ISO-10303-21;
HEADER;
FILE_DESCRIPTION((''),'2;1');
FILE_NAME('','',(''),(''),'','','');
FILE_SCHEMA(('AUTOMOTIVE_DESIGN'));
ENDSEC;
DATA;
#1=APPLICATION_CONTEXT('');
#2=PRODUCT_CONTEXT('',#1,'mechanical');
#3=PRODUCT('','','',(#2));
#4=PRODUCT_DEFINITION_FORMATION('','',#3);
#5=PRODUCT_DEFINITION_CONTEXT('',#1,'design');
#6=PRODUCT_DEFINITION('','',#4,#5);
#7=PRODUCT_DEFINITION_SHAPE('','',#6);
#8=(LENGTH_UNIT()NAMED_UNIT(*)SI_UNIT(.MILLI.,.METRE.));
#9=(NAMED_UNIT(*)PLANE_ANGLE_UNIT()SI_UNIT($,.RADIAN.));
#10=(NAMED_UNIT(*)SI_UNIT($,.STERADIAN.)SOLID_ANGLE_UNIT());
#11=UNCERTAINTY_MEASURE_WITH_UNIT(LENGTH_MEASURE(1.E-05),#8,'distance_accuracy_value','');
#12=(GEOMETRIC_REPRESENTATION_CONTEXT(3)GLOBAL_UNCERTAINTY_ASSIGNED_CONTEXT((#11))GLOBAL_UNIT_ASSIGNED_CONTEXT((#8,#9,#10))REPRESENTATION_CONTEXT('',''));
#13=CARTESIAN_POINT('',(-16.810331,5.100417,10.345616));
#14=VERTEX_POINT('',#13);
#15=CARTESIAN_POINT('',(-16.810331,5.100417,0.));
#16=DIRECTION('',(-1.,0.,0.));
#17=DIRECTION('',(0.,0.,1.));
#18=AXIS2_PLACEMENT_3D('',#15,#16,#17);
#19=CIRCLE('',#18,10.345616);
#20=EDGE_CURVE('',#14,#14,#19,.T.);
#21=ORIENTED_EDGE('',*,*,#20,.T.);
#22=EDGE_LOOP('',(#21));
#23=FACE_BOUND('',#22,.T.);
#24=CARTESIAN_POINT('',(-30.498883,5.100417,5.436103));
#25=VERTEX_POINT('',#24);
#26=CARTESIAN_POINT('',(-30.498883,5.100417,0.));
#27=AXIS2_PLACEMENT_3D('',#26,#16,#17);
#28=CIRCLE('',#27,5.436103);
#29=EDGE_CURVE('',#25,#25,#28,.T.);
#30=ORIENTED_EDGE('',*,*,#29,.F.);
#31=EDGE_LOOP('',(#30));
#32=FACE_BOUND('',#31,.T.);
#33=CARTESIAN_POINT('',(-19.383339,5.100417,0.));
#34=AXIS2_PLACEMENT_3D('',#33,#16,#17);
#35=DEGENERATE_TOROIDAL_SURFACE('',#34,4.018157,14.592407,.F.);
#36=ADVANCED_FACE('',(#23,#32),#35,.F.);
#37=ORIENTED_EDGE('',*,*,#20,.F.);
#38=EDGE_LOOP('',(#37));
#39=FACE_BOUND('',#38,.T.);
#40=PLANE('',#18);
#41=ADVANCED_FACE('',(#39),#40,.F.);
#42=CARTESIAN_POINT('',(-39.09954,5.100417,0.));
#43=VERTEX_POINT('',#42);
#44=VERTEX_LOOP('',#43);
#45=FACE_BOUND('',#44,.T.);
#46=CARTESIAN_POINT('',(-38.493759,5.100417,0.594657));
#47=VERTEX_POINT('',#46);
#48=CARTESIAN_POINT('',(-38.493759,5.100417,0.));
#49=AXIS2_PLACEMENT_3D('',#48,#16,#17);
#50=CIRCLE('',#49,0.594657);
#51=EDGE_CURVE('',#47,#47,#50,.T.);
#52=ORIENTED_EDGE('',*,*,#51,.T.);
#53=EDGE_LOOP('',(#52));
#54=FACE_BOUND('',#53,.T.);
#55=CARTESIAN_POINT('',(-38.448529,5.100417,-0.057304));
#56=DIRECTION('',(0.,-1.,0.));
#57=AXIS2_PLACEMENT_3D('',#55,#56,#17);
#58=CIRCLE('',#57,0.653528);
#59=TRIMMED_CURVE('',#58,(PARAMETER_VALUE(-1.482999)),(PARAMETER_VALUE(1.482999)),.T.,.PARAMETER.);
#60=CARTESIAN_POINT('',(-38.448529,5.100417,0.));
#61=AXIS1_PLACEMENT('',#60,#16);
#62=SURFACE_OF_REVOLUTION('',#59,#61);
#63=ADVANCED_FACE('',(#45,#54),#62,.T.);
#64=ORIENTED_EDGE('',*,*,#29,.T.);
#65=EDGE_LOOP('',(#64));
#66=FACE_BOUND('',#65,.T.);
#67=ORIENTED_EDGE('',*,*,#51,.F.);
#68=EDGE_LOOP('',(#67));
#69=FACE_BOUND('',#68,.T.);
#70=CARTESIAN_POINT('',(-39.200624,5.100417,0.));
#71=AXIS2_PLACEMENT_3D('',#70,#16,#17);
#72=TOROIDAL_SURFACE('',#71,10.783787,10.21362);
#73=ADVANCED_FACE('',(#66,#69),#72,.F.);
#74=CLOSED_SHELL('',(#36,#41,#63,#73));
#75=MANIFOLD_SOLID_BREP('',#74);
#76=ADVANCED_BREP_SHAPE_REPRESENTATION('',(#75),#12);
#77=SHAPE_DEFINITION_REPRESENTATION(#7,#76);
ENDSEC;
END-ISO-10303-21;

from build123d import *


with BuildPart() as part:
    # Sketch1 → Revolve1 (revolve)
    with BuildSketch(Plane.XY):
        with BuildLine():
            Line((-39.099540024, 5.100416614), (-16.810331023, 5.100416614))
            Line((-16.810331023, 5.100416614), (-16.810331023, 15.446032824))
            ThreePointArc((-16.810331023, 15.446032824), (-24.309753618, 14.817935256), (-30.498882941, 10.536519133))
            ThreePointArc((-30.498882941, 10.536519133), (-33.91003162, 7.147633312), (-38.493758542, 5.695073525))
            ThreePointArc((-38.493758542, 5.695073525), (-38.906341141, 5.509488993), (-39.099540024, 5.100416614))
        make_face()
    revolve(axis=Axis((-39.099540024, 5.100416614, 0), (1, 0, 0)))


solid = part.part
